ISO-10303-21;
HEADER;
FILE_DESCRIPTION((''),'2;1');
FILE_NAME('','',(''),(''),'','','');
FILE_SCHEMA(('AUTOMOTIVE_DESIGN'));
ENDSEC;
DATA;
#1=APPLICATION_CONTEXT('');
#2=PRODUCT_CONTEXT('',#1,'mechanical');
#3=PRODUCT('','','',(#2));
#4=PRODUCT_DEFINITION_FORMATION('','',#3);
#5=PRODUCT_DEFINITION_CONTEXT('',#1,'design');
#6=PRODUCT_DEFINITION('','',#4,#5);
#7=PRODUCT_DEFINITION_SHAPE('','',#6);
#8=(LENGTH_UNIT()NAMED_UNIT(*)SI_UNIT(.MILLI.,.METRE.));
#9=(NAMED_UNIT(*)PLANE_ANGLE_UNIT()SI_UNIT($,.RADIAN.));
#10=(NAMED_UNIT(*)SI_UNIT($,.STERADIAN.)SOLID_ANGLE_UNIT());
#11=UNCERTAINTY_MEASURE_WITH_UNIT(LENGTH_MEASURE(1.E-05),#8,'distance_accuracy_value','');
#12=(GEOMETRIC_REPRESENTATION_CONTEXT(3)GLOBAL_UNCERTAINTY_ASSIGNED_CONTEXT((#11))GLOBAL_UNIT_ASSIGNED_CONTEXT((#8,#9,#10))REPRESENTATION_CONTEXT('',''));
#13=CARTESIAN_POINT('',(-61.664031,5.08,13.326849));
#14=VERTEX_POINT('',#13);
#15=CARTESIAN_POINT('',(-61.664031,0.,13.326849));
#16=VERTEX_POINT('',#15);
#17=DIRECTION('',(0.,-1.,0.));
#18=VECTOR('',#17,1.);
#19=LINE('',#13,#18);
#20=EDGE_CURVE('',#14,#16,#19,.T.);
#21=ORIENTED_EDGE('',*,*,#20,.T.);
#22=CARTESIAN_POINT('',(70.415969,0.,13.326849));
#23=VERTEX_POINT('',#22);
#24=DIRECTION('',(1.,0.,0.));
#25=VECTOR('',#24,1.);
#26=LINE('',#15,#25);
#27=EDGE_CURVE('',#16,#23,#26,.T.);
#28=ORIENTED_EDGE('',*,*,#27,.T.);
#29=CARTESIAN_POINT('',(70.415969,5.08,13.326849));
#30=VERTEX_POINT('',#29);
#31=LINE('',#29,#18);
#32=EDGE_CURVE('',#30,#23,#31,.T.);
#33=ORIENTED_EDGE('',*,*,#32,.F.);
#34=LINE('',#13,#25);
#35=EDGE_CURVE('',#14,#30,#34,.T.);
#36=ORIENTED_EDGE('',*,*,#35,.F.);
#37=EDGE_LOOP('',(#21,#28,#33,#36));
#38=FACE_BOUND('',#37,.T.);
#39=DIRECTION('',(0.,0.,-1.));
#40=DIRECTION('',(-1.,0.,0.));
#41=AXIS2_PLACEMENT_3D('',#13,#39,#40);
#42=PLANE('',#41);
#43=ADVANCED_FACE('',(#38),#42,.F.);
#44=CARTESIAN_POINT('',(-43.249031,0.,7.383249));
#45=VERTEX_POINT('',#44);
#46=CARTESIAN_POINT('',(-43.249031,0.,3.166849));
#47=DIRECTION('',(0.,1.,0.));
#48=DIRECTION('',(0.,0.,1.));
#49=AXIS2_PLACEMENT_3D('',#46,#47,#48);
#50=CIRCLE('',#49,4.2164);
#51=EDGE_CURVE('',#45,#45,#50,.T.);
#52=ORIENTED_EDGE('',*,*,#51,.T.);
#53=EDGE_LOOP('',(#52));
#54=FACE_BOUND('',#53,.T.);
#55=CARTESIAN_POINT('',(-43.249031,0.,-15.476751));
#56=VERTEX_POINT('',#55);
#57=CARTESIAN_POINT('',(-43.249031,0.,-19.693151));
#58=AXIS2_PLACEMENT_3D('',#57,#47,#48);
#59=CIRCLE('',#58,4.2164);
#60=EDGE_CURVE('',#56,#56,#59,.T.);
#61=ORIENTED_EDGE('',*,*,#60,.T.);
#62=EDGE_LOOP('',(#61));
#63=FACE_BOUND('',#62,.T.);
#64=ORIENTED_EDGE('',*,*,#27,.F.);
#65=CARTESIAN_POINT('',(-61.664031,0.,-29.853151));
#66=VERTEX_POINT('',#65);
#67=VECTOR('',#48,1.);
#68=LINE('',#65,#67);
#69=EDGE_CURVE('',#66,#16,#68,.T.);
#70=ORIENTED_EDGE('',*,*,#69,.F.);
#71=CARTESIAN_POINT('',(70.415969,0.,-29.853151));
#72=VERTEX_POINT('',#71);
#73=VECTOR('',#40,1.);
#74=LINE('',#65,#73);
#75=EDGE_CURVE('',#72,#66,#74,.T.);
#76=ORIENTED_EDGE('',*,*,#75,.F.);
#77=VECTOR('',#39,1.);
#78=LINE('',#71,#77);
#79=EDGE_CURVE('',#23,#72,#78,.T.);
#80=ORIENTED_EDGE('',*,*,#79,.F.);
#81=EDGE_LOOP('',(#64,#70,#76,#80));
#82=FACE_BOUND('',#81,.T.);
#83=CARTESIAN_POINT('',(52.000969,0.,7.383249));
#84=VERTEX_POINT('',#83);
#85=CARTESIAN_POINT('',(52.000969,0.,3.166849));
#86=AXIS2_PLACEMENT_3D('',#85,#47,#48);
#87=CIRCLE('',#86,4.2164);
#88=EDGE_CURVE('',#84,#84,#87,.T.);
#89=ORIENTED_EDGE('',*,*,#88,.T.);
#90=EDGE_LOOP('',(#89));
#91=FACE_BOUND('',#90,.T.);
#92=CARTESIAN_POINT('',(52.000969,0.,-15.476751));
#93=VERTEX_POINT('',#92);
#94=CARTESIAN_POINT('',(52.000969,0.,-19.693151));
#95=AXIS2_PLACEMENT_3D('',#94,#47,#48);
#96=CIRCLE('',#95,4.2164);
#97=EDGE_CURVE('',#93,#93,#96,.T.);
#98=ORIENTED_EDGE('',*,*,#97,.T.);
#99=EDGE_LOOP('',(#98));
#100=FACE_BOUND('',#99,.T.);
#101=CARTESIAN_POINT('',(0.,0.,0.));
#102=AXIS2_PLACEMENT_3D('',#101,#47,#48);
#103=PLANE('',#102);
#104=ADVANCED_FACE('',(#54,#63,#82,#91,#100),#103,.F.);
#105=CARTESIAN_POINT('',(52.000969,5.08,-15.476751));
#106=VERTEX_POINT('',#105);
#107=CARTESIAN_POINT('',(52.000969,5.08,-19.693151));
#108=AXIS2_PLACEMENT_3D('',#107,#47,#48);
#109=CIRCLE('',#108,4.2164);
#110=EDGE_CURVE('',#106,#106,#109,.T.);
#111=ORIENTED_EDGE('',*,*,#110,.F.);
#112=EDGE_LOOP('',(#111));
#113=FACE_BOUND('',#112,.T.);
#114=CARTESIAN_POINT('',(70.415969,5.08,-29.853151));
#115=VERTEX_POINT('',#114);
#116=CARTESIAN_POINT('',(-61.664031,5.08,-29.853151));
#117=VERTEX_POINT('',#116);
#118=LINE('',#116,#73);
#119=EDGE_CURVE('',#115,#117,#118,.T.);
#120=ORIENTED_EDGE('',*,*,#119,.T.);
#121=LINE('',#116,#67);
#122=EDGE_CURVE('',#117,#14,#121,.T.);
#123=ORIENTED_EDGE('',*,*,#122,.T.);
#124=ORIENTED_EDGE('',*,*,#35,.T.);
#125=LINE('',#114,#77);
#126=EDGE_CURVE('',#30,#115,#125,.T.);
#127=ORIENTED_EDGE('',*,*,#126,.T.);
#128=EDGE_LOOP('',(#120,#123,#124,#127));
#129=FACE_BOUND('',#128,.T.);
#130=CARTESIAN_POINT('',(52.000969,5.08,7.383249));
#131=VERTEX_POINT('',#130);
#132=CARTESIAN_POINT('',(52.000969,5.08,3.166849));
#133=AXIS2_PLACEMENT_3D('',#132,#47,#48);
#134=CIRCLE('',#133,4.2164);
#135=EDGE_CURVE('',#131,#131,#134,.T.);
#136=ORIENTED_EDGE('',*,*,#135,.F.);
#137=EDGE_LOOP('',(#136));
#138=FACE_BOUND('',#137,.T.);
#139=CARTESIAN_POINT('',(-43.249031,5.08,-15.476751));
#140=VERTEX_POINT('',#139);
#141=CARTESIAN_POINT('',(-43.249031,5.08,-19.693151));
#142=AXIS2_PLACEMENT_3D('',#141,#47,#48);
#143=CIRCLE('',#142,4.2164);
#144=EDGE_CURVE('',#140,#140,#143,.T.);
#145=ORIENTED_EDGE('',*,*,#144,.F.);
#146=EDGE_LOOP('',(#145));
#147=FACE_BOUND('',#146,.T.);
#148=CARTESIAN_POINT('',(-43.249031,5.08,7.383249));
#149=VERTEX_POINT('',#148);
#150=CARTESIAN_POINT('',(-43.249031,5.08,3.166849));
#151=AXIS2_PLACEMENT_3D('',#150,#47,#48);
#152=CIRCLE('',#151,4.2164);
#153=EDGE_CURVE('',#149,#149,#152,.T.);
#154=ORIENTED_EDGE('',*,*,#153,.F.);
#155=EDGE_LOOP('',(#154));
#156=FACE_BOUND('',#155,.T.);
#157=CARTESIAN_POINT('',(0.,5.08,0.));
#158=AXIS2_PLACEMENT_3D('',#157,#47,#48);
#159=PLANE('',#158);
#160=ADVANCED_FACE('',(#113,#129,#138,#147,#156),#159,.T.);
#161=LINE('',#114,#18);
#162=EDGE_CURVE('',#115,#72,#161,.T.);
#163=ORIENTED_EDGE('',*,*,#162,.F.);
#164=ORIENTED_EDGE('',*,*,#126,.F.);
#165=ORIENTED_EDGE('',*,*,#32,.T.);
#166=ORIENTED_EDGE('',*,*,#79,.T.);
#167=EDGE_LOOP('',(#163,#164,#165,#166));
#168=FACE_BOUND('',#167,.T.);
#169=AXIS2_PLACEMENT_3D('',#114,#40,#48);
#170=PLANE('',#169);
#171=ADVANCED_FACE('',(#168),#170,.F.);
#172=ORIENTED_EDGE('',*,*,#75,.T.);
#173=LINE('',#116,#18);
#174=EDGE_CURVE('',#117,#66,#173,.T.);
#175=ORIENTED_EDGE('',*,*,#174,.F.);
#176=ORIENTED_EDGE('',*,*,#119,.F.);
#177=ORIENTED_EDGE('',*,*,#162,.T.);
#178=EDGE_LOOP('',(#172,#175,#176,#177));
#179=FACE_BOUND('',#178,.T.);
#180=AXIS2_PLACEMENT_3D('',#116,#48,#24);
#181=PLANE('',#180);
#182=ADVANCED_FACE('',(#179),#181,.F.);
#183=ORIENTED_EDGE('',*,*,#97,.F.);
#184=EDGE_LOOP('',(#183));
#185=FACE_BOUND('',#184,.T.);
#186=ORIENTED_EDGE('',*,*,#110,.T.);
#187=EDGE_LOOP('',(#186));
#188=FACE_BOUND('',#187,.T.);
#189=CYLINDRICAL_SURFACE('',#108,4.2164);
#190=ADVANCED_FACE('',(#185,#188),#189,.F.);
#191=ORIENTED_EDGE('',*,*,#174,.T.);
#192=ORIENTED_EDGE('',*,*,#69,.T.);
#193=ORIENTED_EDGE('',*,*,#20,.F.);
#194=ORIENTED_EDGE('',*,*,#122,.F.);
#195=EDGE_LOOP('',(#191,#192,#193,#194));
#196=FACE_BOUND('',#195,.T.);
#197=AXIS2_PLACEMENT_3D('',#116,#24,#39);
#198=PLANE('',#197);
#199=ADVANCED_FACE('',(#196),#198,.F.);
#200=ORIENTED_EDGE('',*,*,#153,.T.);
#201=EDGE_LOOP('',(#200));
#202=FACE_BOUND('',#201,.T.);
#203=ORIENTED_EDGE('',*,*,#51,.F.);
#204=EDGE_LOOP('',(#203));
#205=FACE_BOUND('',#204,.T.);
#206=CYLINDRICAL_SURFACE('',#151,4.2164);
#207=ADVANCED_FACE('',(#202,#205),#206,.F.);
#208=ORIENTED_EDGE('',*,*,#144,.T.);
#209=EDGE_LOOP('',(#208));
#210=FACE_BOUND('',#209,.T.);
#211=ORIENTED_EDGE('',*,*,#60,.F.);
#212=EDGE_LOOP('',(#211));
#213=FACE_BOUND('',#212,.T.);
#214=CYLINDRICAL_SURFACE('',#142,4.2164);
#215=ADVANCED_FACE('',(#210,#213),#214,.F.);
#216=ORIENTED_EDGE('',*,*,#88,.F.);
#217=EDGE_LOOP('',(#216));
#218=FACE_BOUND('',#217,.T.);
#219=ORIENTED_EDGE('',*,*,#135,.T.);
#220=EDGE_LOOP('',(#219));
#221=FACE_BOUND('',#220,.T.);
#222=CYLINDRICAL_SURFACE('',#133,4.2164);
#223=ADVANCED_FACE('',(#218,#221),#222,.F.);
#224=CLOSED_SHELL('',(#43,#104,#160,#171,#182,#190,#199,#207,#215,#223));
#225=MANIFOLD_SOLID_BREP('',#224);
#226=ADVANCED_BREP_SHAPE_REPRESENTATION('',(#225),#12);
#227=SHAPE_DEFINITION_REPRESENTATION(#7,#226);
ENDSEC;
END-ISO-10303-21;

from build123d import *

# Parameters (mm, degrees)
SKETCH1_W                      = 132.08
SKETCH1_H                      = 43.18
BOSS_EXTRUDE1_DEPTH            = 5.08
F_13_64_0_332_DIAMETER_HOLE1_D = 8.4328


with BuildPart() as part:
    # Sketch1 → Boss-Extrude1 (new body)
    with BuildSketch(Plane(origin=(0, 0, 0), x_dir=(1, 0, 0), z_dir=(0, 1, 0))):
        with Locations((4.375969491, 8.263150525)):
            Rectangle(SKETCH1_W, SKETCH1_H)
    extrude(amount=BOSS_EXTRUDE1_DEPTH)

    # 13/64 (0.332) Diameter Hole1 (through all)
    with Locations(Plane(origin=(0, 5.08, 0), x_dir=(1, 0, 0), z_dir=(0, 1, 0))):
        with Locations((-43.249030509, 19.693150525), (-43.249030509, -3.166849475), (52.000969491, 19.693150525), (52.000969491, -3.166849475)):
            Hole(F_13_64_0_332_DIAMETER_HOLE1_D / 2)


solid = part.part
